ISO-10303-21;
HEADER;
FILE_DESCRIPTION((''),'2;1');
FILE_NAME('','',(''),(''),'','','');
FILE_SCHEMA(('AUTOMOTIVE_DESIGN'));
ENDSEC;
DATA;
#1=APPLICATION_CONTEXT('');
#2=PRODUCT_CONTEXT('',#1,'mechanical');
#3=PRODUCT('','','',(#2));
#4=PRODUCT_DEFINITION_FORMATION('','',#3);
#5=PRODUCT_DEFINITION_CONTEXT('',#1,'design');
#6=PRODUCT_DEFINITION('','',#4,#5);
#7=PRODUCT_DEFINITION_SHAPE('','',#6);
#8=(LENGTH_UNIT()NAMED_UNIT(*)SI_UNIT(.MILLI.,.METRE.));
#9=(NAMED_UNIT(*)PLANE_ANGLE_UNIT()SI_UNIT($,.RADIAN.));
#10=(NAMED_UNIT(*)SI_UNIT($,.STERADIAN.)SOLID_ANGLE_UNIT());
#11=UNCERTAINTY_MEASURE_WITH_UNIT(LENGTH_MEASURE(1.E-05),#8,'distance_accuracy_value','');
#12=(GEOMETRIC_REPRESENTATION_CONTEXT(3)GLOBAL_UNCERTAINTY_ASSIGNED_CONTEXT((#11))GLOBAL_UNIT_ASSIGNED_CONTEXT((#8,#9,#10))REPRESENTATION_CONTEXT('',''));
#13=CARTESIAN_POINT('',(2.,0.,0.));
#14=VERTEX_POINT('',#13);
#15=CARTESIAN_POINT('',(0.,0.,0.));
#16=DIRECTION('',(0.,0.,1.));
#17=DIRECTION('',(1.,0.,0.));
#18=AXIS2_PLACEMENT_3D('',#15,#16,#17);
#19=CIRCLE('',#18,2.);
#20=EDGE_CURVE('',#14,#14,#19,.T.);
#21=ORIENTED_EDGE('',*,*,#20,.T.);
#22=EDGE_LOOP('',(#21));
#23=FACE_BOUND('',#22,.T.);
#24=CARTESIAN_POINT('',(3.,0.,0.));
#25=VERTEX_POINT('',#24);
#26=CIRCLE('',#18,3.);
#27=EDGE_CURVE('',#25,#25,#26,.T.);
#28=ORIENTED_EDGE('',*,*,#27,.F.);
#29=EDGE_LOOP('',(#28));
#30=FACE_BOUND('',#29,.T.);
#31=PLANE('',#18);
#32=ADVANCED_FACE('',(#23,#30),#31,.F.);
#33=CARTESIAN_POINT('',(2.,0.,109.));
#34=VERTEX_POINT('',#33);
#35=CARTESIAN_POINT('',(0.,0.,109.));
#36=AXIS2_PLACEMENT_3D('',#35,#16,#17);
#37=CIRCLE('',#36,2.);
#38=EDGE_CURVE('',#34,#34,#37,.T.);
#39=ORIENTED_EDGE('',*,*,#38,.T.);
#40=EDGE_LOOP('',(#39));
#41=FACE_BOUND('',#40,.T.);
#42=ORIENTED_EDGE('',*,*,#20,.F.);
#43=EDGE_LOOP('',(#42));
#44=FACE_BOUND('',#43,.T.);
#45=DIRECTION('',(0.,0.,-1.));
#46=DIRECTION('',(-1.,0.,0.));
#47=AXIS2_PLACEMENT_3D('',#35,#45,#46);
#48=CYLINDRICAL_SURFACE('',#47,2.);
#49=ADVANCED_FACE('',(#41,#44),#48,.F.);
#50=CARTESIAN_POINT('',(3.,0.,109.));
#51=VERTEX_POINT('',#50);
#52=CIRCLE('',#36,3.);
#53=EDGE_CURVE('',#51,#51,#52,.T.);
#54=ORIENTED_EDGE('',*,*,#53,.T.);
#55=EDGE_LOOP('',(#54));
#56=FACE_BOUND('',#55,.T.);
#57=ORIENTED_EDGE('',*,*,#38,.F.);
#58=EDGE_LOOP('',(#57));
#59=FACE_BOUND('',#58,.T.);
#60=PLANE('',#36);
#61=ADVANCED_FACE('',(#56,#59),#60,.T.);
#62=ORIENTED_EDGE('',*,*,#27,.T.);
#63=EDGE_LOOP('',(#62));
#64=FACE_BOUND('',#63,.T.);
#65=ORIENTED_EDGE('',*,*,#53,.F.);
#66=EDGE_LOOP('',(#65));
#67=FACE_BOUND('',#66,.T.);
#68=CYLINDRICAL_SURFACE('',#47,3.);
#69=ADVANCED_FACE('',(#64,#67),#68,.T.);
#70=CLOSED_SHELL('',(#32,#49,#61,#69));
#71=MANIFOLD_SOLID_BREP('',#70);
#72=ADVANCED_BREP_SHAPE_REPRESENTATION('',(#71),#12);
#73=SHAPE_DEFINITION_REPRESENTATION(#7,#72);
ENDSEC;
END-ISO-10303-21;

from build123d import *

# Parameters (mm, degrees)
SKETCH1_R           = 3
SKETCH1_R_2         = 2
BOSS_EXTRUDE1_DEPTH = 109


with BuildPart() as part:
    # Sketch1 → Boss-Extrude1 (new body)
    with BuildSketch(Plane.XY):
        Circle(SKETCH1_R)
        Circle(SKETCH1_R_2, mode=Mode.SUBTRACT)
    extrude(amount=BOSS_EXTRUDE1_DEPTH)


solid = part.part
